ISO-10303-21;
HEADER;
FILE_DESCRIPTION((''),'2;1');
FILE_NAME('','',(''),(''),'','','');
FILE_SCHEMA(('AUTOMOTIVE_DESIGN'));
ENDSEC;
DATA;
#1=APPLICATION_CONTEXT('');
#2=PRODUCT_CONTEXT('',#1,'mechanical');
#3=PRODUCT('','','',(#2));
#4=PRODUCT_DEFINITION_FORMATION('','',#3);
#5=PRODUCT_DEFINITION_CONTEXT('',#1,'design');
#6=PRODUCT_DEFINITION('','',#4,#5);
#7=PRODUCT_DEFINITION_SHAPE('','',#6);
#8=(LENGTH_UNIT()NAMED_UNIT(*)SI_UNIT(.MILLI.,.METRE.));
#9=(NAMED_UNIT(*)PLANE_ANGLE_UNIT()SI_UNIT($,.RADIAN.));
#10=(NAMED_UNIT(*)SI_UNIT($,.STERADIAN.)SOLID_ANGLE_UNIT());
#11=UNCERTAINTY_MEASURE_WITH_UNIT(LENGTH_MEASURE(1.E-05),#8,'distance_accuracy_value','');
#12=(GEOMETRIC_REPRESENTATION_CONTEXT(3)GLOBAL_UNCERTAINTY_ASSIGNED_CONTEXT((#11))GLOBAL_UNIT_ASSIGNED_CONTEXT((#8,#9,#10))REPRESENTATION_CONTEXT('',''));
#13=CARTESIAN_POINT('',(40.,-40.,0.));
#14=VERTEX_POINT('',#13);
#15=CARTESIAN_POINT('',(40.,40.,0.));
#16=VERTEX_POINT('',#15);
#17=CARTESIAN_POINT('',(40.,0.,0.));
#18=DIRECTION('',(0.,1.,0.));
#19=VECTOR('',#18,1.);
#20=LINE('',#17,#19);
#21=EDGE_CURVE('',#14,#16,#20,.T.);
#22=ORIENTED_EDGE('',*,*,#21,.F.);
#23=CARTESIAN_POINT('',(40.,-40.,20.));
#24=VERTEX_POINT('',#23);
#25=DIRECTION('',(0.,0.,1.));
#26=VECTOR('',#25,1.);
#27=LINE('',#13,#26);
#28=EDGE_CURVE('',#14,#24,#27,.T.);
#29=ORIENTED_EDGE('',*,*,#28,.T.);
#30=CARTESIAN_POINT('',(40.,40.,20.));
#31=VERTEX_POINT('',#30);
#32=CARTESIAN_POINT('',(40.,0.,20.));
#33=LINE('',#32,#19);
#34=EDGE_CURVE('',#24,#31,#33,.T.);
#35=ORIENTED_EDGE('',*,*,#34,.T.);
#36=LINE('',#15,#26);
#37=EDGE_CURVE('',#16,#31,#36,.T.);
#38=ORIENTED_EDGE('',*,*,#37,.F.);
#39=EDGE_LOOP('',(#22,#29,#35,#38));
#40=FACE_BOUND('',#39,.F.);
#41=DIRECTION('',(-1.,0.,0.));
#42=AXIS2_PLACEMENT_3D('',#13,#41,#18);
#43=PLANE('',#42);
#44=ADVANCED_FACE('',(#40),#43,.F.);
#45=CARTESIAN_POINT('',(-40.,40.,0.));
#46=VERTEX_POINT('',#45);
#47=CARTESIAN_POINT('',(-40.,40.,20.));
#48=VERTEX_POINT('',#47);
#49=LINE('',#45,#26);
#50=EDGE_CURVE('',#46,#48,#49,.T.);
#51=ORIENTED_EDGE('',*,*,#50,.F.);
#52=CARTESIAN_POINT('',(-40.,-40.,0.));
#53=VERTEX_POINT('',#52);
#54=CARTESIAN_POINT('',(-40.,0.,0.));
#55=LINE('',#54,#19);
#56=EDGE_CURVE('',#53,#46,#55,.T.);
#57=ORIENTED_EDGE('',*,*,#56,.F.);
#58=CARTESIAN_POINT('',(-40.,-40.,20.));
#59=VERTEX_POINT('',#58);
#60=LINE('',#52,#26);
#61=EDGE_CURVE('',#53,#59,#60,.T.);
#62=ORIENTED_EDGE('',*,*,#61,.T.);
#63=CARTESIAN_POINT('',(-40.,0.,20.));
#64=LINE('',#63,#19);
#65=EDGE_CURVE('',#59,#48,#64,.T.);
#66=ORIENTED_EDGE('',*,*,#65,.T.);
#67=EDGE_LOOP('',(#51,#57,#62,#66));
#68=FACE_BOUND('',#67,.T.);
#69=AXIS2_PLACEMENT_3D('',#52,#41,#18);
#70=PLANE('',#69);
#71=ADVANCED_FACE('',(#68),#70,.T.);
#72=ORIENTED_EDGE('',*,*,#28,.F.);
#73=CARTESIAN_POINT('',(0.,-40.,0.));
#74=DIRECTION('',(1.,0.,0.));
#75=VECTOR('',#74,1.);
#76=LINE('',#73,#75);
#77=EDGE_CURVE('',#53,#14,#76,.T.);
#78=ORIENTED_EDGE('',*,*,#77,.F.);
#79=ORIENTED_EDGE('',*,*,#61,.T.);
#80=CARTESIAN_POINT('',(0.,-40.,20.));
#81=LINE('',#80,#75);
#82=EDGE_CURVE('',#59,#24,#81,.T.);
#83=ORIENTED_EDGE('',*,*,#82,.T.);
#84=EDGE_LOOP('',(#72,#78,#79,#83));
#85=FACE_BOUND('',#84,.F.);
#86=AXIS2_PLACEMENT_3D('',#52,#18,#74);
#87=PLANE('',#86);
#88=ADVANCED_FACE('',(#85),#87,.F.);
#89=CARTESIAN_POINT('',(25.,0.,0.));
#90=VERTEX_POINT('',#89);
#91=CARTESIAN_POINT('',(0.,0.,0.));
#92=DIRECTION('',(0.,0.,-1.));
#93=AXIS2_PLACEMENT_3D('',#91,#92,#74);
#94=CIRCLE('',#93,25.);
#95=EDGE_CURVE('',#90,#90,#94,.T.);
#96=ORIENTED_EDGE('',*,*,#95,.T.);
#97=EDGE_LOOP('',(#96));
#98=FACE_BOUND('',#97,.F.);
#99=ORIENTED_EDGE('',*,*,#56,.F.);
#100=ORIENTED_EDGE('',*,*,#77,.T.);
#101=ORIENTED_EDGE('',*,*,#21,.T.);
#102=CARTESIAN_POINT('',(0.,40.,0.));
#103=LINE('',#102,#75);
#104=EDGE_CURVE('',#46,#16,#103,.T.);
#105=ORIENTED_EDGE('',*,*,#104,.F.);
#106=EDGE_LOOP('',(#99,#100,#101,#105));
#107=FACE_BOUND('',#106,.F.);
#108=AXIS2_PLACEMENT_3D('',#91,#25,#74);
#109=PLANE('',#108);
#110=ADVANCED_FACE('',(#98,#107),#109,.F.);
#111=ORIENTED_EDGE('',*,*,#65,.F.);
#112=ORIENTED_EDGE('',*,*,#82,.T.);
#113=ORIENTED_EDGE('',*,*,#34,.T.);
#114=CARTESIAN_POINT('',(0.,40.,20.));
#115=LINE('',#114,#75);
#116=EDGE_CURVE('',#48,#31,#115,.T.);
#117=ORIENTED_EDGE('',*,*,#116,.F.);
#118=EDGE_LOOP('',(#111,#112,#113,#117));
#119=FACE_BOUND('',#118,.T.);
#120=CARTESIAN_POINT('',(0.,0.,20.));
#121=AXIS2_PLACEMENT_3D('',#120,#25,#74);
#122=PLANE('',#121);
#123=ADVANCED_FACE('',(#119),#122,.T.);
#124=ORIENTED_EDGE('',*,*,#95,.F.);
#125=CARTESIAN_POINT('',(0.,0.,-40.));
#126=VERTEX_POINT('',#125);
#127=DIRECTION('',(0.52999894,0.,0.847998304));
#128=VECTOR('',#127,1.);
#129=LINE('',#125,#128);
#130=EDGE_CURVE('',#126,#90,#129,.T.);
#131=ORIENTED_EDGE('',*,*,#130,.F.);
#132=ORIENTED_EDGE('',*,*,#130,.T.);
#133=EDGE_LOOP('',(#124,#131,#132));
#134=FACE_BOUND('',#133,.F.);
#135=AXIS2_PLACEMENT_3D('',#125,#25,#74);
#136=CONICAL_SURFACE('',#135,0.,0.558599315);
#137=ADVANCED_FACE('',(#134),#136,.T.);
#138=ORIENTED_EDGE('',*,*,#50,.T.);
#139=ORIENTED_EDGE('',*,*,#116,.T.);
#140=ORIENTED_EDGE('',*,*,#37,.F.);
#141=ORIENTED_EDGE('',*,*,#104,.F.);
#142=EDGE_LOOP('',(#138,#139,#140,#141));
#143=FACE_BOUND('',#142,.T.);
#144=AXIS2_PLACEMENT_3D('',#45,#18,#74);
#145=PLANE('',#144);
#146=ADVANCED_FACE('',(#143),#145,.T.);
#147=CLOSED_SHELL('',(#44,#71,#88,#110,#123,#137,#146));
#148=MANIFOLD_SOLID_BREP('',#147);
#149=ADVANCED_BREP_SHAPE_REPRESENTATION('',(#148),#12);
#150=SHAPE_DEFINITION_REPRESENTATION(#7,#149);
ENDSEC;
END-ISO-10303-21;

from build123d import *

# Parameters (mm, degrees)
F0_W     = 80
F0_H     = 80
F1_DEPTH = 20


with BuildPart() as f1:
    # F0 (on Top) → F1 (new body)
    with BuildSketch(Plane.XY):
        Rectangle(F0_W, F0_H)
    extrude(amount=F1_DEPTH)

    # F2 (on Front) → F3 (revolve)
    with BuildSketch(Plane.XZ):
        Polygon((25, 0), (0, 0), (0, -40), align=None)
    revolve(axis=Axis((0, 0, -20), (0, 0, -1)))


solid = f1.part
